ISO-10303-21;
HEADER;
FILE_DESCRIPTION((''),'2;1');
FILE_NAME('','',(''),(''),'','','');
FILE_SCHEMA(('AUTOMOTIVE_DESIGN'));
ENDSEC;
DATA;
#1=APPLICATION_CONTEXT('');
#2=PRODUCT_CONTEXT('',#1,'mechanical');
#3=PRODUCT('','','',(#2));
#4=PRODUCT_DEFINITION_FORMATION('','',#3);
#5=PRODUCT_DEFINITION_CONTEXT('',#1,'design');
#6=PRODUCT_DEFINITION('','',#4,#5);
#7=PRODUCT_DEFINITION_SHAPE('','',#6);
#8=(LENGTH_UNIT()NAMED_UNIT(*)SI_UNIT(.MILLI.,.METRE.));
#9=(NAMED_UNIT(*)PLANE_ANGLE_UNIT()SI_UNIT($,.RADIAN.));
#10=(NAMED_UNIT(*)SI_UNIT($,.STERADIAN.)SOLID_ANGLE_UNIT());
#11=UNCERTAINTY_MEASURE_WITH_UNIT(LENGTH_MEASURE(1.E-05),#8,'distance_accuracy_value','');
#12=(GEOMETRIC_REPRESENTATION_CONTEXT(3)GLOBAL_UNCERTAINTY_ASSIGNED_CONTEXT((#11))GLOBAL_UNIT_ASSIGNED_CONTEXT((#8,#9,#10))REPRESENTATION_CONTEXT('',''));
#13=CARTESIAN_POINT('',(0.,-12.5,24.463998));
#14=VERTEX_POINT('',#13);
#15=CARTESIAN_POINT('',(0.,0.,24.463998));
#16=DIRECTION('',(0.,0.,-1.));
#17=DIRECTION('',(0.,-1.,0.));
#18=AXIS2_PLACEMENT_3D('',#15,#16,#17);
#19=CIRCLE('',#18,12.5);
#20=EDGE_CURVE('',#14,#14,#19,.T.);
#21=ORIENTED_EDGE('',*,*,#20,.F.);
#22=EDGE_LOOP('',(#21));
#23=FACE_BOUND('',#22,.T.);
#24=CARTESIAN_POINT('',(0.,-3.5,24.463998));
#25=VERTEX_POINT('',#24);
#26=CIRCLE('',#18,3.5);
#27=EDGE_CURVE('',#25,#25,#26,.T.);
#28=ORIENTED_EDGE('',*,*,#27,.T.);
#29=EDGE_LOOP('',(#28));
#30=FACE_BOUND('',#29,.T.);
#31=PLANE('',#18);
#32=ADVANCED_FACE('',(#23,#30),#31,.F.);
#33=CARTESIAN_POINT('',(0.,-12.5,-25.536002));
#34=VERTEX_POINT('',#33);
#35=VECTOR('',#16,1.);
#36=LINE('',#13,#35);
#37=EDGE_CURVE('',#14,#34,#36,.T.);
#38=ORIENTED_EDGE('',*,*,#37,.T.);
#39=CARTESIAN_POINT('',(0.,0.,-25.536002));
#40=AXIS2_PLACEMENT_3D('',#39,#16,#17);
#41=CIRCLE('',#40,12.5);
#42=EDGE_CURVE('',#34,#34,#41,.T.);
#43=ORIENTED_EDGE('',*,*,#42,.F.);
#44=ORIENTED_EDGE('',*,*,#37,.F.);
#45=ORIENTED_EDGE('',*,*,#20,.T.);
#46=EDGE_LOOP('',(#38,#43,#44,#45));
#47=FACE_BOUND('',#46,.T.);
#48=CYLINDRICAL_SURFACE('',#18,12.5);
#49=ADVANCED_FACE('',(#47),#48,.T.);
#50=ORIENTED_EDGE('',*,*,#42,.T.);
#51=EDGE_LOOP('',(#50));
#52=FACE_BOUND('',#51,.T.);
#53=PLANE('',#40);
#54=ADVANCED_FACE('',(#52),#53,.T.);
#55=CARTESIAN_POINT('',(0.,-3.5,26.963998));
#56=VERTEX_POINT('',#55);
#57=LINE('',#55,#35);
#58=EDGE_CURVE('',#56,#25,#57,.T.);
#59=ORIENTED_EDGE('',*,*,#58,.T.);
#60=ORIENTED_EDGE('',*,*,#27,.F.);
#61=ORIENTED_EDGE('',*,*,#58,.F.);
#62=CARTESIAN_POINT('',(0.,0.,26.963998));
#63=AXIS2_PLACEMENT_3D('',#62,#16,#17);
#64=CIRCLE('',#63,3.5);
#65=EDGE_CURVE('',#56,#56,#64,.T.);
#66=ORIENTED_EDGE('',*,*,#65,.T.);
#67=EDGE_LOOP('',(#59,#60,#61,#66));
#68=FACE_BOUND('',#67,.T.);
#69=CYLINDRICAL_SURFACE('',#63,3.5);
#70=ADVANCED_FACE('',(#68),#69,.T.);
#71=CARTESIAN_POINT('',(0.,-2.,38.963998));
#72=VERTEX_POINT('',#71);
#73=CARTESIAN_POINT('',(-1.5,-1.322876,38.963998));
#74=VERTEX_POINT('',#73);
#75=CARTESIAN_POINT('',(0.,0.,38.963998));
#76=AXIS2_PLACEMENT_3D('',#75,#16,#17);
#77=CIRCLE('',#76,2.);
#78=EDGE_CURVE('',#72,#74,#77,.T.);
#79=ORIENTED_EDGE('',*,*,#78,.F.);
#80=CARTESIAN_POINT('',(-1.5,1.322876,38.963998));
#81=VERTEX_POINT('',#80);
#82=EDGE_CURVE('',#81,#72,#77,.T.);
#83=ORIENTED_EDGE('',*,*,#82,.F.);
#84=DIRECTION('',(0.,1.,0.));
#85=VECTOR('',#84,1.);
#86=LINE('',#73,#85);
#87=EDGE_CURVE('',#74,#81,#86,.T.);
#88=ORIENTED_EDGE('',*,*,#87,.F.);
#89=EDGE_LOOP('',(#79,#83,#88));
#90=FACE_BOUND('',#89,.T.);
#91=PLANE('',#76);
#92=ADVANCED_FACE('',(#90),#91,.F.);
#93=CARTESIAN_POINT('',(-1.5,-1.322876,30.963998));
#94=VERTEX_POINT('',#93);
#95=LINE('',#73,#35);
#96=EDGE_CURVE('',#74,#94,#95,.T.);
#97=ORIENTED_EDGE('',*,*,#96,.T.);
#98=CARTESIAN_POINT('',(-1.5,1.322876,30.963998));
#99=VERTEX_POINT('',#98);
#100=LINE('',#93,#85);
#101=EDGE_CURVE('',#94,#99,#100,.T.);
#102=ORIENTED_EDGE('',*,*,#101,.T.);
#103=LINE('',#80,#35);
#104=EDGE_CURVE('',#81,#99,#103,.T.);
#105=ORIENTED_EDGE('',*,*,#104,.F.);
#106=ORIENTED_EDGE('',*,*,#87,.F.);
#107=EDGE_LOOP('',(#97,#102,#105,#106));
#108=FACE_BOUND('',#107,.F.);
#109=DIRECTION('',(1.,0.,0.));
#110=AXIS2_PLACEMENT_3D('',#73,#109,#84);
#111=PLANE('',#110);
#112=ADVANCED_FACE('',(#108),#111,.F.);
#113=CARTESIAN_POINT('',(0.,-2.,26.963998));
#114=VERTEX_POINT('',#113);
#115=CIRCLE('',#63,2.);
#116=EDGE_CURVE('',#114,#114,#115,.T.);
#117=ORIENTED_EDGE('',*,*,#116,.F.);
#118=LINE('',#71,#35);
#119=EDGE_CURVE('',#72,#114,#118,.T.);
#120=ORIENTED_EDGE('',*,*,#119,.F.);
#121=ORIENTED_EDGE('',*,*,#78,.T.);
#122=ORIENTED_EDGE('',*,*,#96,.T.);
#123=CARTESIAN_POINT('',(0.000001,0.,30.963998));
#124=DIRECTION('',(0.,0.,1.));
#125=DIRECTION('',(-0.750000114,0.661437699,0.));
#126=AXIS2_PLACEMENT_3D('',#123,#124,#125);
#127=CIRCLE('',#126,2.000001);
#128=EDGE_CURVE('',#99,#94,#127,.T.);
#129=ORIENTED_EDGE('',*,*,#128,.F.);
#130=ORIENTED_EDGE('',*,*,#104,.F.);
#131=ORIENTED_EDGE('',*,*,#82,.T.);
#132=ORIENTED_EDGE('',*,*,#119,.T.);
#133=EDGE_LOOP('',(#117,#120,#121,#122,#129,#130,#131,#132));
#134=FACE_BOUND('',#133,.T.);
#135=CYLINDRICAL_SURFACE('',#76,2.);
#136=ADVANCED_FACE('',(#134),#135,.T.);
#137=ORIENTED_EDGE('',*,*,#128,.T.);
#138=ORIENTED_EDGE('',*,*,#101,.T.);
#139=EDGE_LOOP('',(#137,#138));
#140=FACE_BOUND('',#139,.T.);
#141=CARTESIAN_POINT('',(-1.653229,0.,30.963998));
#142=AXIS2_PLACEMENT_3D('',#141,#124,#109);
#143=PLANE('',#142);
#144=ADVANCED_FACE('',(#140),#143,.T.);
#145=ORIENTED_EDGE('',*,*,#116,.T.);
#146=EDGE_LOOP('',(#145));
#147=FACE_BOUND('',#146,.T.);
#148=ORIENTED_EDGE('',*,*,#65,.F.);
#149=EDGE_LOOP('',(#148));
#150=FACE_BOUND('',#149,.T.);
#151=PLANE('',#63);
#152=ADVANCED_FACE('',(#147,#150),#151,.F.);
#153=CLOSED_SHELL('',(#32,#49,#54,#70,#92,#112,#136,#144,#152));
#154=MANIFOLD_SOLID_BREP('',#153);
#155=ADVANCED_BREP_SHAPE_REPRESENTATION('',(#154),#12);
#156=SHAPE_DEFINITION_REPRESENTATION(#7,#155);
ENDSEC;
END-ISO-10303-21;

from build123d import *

# Parameters (mm, degrees)
F3_DEPTH = 8


with BuildPart() as f1:
    # F0 (on Right) → F1 (revolve)
    with BuildSketch(Plane.YZ):
        Polygon((-12.5, -25.536002), (0, -25.536002), (0, 38.963998), (-2, 38.963998), (-2, 26.963998), (-3.5, 26.963998), (-3.5, 24.463998), (-12.5, 24.463998), align=None)
    revolve(axis=Axis((0, 0, 6.713998), (0, 0, -1)))

    # F2 (on face) → F3 (cut)
    with BuildSketch(Plane.XY.offset(38.963998)):
        with BuildLine():
            Line((-1.5, -1.322876), (-1.5, 1.322876))
            ThreePointArc((-1.5, 1.322876), (-2, 0), (-1.5, -1.322876))
        make_face()
    extrude(amount=-F3_DEPTH, mode=Mode.SUBTRACT)


solid = f1.part
